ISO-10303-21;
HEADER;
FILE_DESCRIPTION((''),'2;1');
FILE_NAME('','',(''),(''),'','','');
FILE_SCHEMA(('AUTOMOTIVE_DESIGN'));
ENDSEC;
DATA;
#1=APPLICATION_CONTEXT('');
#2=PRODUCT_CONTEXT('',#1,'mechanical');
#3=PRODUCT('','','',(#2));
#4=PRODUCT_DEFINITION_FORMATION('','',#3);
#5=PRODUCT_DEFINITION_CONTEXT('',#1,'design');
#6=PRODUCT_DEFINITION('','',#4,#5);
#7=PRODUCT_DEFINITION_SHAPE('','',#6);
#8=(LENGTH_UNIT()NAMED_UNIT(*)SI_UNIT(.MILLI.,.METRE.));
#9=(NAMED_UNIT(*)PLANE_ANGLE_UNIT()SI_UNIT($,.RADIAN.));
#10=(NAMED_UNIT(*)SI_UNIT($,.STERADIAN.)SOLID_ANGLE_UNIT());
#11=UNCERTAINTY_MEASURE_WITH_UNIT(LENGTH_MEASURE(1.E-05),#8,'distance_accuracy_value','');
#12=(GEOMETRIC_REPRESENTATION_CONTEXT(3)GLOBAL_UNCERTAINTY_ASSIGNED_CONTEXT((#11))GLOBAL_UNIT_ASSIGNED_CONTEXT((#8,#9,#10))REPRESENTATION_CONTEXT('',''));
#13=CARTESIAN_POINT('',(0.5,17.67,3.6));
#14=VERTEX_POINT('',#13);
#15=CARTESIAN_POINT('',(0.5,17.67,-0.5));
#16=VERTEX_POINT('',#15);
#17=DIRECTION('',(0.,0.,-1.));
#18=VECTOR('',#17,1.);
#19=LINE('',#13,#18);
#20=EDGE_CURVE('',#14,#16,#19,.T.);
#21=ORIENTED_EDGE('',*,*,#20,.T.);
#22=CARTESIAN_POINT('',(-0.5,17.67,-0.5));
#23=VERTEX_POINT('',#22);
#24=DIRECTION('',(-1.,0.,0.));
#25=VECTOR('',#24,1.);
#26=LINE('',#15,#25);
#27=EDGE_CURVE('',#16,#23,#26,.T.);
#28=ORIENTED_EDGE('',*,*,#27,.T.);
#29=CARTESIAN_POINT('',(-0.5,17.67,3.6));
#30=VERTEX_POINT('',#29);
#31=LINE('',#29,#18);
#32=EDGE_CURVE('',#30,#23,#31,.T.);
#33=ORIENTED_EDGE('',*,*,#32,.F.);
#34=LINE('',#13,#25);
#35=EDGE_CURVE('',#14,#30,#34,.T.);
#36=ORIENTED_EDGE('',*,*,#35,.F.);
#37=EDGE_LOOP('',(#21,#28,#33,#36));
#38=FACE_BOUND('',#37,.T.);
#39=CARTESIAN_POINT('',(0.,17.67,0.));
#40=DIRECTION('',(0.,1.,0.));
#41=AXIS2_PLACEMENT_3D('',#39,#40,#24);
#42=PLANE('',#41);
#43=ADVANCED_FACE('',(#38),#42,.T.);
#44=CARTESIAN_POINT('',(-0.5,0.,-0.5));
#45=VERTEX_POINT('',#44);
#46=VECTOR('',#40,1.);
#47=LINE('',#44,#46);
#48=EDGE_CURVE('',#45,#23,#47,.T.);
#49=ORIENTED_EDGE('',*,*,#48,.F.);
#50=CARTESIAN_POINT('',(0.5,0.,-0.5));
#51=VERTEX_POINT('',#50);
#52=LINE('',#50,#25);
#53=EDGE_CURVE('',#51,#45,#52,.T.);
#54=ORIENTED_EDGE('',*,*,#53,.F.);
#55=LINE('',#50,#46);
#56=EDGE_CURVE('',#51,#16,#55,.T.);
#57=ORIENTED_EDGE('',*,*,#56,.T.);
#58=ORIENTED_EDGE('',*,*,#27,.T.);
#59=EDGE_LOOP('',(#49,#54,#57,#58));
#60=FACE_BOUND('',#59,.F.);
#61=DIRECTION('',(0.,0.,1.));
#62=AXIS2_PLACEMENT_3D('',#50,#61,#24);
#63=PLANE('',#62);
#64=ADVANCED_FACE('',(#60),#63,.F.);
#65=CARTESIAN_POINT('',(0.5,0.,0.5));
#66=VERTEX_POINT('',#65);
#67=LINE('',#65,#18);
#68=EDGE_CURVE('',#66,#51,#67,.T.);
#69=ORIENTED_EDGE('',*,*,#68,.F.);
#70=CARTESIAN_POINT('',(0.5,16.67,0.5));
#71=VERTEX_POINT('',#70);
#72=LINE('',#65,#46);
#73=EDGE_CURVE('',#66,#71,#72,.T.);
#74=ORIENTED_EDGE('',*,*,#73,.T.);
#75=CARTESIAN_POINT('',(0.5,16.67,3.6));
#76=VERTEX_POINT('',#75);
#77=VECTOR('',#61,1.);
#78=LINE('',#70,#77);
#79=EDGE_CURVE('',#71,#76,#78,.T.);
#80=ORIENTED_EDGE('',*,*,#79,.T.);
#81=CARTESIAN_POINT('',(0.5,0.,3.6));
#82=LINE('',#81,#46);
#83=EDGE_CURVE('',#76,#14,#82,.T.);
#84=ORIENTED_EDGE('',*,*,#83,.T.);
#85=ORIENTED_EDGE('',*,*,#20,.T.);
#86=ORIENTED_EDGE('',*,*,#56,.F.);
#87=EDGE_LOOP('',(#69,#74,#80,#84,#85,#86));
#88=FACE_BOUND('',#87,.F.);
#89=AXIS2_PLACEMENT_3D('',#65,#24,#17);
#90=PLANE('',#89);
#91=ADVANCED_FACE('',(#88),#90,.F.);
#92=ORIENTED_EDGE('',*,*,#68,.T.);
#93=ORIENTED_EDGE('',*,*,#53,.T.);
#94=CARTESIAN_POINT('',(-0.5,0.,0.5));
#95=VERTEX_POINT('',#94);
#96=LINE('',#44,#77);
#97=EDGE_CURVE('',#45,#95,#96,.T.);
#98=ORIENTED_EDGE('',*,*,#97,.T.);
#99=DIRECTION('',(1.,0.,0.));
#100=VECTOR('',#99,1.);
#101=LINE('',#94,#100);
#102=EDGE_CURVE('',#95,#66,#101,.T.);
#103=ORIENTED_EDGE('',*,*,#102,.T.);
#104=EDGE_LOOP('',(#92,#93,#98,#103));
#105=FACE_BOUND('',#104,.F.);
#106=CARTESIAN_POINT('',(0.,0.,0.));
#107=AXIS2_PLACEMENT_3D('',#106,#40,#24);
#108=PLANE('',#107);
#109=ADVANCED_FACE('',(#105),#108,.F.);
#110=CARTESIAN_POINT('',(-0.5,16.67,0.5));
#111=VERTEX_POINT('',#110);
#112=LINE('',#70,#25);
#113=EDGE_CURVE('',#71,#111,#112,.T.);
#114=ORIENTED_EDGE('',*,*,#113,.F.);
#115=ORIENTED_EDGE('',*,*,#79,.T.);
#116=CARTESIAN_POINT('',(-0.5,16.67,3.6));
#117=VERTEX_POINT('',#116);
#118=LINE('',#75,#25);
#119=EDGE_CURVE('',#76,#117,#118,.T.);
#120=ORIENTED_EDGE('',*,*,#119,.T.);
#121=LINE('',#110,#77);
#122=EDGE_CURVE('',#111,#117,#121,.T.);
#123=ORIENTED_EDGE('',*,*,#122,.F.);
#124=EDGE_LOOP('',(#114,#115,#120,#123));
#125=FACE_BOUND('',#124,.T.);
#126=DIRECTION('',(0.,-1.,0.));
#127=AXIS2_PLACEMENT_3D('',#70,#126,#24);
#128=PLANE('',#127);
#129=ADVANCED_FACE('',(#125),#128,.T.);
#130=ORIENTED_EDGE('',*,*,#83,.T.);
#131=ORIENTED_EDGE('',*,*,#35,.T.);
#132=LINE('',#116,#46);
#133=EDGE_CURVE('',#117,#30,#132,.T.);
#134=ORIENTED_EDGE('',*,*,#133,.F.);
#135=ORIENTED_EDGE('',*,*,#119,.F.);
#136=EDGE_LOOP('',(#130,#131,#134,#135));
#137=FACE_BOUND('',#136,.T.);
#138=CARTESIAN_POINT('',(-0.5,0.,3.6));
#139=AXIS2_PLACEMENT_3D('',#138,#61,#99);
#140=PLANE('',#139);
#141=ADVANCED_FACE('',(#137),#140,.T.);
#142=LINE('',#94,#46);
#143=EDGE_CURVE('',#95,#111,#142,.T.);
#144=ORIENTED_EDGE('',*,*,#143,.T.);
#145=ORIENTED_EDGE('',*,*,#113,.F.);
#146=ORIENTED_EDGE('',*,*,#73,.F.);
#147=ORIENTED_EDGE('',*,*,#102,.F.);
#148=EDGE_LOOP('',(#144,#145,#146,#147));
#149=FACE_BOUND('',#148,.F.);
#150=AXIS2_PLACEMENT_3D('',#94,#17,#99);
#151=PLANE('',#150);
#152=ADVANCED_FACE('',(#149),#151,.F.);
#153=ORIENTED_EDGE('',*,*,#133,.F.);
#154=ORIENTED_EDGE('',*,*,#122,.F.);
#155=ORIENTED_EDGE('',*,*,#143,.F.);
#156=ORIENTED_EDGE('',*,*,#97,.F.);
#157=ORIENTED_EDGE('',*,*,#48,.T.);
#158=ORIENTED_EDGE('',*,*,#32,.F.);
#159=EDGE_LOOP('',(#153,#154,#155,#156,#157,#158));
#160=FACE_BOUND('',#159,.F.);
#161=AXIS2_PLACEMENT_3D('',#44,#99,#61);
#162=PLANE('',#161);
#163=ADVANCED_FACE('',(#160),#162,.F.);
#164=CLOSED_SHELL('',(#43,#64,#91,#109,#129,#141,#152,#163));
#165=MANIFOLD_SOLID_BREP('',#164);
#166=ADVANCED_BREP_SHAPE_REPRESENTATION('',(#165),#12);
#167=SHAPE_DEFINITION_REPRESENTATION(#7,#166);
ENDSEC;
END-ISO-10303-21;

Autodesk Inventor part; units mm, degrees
ref_plane "YZ Plane" through (0, 0, 0) normal (1, 0, 0) x (0, 1, 0)
ref_plane "XZ Plane" through (0, 0, 0) normal (0, 1, 0) x (-1, 0, 0)
ref_plane "XY Plane" through (0, 0, 0) normal (0, 0, 1) x (1, 0, 0)
sketch "Sketch4" plane through (0, 0, 0) normal (0, 1, 0) x (-1, 0, 0)
  line L0 (0.5, 0.5) -> (-0.5, 0.5)
  line L1 (-0.5, 0.5) -> (-0.5, -0.5)
  line L2 (-0.5, -0.5) -> (0.5, -0.5)
  line L3 (0.5, -0.5) -> (0.5, 0.5)
  line L4 (0.5, 0.5) -> (-0.5, -0.5) construction
  line L5 (-0.5, 0.5) -> (0.5, -0.5) construction
  point P0 (0, 0)
  dimension "d13" = 1
  dimension "d14" = 1
extrude "Extrusion4" add sketch "Sketch4" along normal blind 17.67
sketch "Sketch5" plane through (-0.5, 0, 0.5) normal (0, 0, 1) x (1, 0, 0)
  line L0 (1, 17.67) -> (0, 17.67) projected
  line L1 (1, 0) -> (1, 17.67) projected
  line L2 (0, 17.67) -> (1, 17.67)
  line L3 (1, 17.67) -> (1, 16.67)
  line L4 (1, 16.67) -> (0, 16.67)
  line L5 (0, 16.67) -> (0, 17.67)
  point P0 (0.5, 0)
  dimension "d17" = 1
extrude "Extrusion5" add sketch "Sketch5" along normal blind 3.1
properties part number "jst-vh-2p_wire"
